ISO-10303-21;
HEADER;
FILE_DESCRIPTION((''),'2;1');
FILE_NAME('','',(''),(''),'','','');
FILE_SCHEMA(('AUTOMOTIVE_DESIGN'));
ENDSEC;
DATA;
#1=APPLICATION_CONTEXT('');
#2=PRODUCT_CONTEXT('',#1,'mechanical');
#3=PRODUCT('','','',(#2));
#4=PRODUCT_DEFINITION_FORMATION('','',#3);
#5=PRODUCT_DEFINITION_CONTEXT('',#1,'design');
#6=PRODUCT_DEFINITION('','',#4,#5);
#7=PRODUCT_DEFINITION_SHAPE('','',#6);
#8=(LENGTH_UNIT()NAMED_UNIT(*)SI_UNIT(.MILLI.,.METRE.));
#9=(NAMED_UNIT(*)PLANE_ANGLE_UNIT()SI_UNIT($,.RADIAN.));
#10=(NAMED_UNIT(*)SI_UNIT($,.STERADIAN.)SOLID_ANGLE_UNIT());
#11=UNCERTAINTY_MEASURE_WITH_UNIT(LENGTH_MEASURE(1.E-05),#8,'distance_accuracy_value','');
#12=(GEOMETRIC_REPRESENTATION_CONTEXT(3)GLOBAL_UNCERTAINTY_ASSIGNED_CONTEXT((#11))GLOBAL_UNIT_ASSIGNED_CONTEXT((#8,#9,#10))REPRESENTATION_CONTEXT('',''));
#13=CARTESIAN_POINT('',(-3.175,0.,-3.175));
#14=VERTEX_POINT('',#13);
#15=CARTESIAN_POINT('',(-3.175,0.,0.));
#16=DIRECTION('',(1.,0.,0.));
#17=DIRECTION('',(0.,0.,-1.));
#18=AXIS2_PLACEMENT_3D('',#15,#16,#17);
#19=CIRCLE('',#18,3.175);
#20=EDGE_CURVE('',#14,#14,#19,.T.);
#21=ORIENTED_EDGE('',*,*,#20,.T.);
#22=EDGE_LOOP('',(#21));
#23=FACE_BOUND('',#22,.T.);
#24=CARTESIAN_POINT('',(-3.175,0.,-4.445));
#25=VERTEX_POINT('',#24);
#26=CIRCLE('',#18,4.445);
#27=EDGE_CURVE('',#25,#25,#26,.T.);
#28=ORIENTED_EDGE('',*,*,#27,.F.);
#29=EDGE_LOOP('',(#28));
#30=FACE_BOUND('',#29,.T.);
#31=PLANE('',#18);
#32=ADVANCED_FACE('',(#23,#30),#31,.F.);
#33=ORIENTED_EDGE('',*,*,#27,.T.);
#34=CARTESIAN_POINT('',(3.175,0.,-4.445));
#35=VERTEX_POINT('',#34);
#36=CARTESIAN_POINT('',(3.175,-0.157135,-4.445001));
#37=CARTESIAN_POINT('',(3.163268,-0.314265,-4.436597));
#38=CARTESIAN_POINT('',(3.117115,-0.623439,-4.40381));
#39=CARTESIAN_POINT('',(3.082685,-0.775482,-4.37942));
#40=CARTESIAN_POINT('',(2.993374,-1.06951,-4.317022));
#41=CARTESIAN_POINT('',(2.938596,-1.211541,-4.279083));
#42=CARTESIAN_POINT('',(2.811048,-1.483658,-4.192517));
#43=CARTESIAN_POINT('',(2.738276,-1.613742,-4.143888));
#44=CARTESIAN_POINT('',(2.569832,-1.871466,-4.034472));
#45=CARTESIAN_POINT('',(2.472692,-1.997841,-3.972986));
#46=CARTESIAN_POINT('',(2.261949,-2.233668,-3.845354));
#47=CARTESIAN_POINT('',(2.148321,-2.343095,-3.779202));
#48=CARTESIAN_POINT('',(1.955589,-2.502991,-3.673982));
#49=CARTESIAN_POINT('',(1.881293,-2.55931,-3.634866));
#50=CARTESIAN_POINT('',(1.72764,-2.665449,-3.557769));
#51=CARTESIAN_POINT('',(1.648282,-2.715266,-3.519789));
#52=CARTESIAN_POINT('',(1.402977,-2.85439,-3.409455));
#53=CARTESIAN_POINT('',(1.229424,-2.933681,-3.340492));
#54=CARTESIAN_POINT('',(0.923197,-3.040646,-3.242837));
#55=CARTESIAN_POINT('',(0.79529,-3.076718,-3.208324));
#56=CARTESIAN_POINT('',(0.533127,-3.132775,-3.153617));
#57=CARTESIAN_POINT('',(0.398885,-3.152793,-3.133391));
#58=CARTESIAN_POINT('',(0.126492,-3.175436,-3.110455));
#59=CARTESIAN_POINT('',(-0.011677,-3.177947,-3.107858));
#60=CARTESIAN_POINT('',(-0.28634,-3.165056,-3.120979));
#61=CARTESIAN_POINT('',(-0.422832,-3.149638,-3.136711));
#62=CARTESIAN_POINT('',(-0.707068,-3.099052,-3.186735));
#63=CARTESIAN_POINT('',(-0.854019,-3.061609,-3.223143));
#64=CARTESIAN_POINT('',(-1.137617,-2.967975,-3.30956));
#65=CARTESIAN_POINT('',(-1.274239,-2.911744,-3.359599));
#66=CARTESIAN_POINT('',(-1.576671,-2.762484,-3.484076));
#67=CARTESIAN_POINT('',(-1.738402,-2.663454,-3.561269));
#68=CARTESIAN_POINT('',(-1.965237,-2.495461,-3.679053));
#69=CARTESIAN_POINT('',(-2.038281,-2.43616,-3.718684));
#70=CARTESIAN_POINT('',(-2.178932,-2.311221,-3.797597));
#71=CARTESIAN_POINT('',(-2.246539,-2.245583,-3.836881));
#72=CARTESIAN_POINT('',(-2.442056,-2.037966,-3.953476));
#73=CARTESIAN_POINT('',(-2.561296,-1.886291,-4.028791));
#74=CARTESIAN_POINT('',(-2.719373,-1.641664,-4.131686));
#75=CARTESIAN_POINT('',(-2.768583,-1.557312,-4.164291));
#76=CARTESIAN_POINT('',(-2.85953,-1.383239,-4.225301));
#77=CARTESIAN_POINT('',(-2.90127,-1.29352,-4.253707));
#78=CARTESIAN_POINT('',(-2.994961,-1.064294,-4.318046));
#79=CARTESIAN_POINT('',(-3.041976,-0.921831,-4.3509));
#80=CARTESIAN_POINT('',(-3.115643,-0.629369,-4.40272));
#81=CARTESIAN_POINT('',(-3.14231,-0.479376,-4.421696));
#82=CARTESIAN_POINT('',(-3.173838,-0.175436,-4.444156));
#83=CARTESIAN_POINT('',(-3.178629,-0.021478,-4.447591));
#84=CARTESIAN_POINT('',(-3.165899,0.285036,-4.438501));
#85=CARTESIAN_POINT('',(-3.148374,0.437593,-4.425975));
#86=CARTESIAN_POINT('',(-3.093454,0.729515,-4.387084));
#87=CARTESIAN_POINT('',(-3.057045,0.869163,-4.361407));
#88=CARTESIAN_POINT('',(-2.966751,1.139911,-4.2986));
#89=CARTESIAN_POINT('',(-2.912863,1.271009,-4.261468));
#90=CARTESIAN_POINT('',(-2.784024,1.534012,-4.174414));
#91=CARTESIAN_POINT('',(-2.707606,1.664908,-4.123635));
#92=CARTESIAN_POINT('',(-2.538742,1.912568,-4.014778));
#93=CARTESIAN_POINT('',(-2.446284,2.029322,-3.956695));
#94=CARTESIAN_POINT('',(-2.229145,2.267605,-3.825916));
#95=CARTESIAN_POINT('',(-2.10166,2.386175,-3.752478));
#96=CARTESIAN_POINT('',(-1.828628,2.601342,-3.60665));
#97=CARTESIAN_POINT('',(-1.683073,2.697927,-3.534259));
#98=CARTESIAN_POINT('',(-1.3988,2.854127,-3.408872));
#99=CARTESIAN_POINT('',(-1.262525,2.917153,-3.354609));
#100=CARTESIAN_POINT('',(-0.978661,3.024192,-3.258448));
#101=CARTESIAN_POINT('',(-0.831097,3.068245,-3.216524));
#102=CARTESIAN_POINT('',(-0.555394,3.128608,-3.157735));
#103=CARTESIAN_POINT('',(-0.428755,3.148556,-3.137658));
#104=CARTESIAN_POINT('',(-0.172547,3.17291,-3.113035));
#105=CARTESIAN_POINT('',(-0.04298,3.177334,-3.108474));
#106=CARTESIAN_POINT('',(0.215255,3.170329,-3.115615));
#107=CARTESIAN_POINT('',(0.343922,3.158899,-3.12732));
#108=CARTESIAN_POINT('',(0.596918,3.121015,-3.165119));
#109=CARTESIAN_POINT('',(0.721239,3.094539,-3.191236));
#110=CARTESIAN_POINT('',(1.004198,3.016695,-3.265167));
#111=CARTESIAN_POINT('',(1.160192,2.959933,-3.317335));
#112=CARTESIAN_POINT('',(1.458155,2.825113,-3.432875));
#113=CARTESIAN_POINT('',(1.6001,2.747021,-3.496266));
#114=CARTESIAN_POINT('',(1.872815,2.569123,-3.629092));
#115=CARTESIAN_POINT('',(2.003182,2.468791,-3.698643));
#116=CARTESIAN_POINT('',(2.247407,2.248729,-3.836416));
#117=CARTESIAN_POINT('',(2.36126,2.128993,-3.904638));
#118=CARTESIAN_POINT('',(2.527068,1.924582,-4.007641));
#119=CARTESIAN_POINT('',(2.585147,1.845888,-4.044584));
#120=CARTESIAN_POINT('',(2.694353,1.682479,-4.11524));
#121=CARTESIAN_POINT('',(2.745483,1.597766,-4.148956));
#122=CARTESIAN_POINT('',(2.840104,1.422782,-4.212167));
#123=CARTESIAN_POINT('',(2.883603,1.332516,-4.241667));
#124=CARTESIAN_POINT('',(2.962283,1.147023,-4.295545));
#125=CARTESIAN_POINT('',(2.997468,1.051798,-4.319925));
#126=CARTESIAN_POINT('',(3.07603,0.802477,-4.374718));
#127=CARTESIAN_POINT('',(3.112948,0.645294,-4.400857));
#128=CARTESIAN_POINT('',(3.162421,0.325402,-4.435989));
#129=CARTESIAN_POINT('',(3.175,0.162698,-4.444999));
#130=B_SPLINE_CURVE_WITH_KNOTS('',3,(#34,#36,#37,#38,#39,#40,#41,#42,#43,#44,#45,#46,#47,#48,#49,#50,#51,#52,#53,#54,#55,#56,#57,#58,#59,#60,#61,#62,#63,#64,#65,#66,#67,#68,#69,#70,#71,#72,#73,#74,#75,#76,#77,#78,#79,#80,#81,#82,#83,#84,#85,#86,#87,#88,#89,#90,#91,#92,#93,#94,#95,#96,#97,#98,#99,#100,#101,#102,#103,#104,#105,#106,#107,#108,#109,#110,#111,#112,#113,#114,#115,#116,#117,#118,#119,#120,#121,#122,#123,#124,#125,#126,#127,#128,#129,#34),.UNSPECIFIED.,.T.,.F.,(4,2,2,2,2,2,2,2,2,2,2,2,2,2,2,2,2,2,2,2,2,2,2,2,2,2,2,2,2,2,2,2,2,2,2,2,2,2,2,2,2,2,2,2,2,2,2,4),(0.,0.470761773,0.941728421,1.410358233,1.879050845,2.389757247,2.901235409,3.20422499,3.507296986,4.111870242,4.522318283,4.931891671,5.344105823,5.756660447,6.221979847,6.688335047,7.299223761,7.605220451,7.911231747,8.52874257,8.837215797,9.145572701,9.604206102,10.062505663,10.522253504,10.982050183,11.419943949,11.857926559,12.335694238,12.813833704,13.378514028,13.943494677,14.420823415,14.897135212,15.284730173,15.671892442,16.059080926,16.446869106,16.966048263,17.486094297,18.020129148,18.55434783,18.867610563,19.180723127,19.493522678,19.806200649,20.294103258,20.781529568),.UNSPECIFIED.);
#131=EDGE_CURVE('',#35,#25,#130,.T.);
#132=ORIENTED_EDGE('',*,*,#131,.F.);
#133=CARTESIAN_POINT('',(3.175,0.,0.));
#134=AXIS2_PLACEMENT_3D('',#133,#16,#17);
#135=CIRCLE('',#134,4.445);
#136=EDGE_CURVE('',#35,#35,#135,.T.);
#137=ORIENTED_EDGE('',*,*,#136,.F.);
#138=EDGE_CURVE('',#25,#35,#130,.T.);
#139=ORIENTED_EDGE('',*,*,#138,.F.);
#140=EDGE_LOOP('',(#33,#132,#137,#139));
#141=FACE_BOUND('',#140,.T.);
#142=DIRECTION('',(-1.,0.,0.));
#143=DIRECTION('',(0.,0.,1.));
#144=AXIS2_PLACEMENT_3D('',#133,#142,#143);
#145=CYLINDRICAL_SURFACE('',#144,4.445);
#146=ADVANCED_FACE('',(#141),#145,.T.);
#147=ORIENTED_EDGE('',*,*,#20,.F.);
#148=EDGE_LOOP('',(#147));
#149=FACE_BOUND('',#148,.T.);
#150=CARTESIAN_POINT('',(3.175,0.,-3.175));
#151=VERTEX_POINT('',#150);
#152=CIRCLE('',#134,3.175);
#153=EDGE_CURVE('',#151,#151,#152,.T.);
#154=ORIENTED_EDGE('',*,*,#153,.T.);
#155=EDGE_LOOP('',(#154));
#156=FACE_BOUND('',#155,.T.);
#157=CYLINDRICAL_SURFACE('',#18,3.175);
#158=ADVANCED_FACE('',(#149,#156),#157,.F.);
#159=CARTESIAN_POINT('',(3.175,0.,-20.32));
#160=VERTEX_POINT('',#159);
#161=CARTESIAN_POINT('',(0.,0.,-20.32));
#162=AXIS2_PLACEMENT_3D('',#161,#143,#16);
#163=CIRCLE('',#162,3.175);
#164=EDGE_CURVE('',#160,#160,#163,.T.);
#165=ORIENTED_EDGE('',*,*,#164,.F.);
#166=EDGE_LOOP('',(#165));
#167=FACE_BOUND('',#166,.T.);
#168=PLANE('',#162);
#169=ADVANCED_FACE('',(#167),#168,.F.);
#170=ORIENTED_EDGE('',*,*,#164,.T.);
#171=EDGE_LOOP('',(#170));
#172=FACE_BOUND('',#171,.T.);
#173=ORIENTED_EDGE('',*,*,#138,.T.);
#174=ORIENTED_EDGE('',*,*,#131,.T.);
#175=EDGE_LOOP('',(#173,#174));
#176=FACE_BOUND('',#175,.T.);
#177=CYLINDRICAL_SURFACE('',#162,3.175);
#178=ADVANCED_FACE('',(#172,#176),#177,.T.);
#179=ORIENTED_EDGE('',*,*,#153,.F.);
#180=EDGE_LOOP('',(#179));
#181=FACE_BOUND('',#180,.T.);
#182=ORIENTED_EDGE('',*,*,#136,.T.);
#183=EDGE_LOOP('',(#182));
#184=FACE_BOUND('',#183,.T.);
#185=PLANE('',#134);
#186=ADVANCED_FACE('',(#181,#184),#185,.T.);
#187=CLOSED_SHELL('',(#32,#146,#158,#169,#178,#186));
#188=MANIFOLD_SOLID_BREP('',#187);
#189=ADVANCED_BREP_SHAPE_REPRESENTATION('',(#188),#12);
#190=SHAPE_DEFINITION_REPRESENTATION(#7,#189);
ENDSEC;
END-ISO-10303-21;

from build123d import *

# Parameters (mm, degrees)
SKETCH2_R           = 3.175
BOSS_EXTRUDE1_DEPTH = 20.32
SKETCH3_R           = 4.445
BOSS_EXTRUDE2_DEPTH = 3.175
SKETCH4_R           = 3.175
CUT_EXTRUDE1_DEPTH  = 6.35


with BuildPart() as part:
    # Sketch2 → Boss-Extrude1 (new body)
    with BuildSketch(Plane.XY):
        Circle(SKETCH2_R)
    extrude(amount=-BOSS_EXTRUDE1_DEPTH)

    # Sketch3 → Boss-Extrude2 (add, symmetric)
    with BuildSketch(Plane(origin=(0, 0, 0), x_dir=(0, 0, -1), z_dir=(1, 0, 0))):
        Circle(SKETCH3_R)
    extrude(amount=BOSS_EXTRUDE2_DEPTH, both=True)

    # Sketch4 → Cut-Extrude1 (cut)
    with BuildSketch(Plane(origin=(3.175, 0, 0), x_dir=(0, 0, -1), z_dir=(1, 0, 0))):
        Circle(SKETCH4_R)
    extrude(amount=-CUT_EXTRUDE1_DEPTH, mode=Mode.SUBTRACT)


solid = part.part
